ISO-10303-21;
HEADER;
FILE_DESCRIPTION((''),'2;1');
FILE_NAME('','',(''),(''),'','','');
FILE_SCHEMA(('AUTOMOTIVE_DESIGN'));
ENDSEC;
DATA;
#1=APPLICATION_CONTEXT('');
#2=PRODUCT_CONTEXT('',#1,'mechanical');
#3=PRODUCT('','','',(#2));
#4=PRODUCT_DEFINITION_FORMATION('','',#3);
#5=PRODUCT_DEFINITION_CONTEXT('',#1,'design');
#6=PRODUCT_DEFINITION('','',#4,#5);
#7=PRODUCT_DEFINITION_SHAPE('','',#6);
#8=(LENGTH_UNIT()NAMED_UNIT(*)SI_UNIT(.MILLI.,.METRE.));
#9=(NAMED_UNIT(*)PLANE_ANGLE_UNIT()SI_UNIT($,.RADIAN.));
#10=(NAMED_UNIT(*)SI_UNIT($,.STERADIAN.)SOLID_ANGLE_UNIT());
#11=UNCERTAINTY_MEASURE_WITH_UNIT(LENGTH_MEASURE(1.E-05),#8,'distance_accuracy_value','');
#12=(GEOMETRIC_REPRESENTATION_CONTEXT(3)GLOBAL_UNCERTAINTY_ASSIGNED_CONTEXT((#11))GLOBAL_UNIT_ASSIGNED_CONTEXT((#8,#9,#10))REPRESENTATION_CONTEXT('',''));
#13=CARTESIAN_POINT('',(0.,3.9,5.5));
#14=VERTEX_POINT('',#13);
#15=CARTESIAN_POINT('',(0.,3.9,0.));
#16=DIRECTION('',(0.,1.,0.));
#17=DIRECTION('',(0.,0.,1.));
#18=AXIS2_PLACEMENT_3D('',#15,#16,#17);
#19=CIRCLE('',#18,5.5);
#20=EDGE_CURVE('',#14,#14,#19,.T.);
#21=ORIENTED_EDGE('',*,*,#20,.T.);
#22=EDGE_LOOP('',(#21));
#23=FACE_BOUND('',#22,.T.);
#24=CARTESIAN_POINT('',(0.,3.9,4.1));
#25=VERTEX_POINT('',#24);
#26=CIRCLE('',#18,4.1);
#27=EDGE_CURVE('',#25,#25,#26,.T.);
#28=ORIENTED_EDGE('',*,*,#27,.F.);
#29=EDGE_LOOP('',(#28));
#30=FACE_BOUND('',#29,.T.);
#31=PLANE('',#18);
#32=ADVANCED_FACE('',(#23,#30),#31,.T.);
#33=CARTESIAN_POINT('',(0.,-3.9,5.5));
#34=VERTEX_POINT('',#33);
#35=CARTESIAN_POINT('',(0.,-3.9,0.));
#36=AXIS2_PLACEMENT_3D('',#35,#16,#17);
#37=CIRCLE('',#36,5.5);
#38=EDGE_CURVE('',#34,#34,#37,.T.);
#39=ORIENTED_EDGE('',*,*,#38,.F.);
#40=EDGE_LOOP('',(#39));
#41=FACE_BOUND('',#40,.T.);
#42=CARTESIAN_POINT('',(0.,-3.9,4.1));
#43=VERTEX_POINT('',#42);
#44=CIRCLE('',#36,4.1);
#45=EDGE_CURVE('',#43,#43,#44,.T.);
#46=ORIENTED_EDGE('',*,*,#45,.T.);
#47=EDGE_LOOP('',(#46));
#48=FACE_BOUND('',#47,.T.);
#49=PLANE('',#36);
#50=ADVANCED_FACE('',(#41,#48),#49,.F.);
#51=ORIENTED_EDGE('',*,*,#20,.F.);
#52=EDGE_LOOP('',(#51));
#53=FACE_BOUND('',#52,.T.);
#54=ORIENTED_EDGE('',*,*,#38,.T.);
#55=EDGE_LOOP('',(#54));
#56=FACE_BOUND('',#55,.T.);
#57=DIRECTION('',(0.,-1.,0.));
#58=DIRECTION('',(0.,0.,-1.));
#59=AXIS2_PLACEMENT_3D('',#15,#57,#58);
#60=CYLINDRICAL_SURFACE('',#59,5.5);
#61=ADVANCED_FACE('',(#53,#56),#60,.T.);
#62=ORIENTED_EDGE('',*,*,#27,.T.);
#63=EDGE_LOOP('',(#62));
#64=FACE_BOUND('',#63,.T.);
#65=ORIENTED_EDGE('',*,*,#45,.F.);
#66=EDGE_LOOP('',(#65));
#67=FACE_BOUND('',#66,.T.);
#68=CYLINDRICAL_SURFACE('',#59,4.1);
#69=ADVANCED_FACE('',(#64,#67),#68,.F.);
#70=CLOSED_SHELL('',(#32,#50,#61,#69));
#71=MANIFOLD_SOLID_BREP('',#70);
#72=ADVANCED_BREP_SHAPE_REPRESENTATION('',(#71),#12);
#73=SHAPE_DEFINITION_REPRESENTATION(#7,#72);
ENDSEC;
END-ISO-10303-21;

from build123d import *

# Parameters (mm, degrees)
PROFILES_R    = 5.5
PROFILES_R_2  = 4.1
PROFILE_DEPTH = 3.9


with BuildPart() as part:
    # ProfileS → Profile (new, symmetric)
    with BuildSketch(Plane(origin=(0, 0, 0), x_dir=(1, 0, 0), z_dir=(0, 1, 0))):
        with Locations(Location((0, 0, 0), (0, 0, 270))):
            Circle(PROFILES_R)
        with Locations(Location((0, 0, 0), (0, 0, 270))):
            Circle(PROFILES_R_2, mode=Mode.SUBTRACT)
    extrude(amount=PROFILE_DEPTH, both=True)


solid = part.part
